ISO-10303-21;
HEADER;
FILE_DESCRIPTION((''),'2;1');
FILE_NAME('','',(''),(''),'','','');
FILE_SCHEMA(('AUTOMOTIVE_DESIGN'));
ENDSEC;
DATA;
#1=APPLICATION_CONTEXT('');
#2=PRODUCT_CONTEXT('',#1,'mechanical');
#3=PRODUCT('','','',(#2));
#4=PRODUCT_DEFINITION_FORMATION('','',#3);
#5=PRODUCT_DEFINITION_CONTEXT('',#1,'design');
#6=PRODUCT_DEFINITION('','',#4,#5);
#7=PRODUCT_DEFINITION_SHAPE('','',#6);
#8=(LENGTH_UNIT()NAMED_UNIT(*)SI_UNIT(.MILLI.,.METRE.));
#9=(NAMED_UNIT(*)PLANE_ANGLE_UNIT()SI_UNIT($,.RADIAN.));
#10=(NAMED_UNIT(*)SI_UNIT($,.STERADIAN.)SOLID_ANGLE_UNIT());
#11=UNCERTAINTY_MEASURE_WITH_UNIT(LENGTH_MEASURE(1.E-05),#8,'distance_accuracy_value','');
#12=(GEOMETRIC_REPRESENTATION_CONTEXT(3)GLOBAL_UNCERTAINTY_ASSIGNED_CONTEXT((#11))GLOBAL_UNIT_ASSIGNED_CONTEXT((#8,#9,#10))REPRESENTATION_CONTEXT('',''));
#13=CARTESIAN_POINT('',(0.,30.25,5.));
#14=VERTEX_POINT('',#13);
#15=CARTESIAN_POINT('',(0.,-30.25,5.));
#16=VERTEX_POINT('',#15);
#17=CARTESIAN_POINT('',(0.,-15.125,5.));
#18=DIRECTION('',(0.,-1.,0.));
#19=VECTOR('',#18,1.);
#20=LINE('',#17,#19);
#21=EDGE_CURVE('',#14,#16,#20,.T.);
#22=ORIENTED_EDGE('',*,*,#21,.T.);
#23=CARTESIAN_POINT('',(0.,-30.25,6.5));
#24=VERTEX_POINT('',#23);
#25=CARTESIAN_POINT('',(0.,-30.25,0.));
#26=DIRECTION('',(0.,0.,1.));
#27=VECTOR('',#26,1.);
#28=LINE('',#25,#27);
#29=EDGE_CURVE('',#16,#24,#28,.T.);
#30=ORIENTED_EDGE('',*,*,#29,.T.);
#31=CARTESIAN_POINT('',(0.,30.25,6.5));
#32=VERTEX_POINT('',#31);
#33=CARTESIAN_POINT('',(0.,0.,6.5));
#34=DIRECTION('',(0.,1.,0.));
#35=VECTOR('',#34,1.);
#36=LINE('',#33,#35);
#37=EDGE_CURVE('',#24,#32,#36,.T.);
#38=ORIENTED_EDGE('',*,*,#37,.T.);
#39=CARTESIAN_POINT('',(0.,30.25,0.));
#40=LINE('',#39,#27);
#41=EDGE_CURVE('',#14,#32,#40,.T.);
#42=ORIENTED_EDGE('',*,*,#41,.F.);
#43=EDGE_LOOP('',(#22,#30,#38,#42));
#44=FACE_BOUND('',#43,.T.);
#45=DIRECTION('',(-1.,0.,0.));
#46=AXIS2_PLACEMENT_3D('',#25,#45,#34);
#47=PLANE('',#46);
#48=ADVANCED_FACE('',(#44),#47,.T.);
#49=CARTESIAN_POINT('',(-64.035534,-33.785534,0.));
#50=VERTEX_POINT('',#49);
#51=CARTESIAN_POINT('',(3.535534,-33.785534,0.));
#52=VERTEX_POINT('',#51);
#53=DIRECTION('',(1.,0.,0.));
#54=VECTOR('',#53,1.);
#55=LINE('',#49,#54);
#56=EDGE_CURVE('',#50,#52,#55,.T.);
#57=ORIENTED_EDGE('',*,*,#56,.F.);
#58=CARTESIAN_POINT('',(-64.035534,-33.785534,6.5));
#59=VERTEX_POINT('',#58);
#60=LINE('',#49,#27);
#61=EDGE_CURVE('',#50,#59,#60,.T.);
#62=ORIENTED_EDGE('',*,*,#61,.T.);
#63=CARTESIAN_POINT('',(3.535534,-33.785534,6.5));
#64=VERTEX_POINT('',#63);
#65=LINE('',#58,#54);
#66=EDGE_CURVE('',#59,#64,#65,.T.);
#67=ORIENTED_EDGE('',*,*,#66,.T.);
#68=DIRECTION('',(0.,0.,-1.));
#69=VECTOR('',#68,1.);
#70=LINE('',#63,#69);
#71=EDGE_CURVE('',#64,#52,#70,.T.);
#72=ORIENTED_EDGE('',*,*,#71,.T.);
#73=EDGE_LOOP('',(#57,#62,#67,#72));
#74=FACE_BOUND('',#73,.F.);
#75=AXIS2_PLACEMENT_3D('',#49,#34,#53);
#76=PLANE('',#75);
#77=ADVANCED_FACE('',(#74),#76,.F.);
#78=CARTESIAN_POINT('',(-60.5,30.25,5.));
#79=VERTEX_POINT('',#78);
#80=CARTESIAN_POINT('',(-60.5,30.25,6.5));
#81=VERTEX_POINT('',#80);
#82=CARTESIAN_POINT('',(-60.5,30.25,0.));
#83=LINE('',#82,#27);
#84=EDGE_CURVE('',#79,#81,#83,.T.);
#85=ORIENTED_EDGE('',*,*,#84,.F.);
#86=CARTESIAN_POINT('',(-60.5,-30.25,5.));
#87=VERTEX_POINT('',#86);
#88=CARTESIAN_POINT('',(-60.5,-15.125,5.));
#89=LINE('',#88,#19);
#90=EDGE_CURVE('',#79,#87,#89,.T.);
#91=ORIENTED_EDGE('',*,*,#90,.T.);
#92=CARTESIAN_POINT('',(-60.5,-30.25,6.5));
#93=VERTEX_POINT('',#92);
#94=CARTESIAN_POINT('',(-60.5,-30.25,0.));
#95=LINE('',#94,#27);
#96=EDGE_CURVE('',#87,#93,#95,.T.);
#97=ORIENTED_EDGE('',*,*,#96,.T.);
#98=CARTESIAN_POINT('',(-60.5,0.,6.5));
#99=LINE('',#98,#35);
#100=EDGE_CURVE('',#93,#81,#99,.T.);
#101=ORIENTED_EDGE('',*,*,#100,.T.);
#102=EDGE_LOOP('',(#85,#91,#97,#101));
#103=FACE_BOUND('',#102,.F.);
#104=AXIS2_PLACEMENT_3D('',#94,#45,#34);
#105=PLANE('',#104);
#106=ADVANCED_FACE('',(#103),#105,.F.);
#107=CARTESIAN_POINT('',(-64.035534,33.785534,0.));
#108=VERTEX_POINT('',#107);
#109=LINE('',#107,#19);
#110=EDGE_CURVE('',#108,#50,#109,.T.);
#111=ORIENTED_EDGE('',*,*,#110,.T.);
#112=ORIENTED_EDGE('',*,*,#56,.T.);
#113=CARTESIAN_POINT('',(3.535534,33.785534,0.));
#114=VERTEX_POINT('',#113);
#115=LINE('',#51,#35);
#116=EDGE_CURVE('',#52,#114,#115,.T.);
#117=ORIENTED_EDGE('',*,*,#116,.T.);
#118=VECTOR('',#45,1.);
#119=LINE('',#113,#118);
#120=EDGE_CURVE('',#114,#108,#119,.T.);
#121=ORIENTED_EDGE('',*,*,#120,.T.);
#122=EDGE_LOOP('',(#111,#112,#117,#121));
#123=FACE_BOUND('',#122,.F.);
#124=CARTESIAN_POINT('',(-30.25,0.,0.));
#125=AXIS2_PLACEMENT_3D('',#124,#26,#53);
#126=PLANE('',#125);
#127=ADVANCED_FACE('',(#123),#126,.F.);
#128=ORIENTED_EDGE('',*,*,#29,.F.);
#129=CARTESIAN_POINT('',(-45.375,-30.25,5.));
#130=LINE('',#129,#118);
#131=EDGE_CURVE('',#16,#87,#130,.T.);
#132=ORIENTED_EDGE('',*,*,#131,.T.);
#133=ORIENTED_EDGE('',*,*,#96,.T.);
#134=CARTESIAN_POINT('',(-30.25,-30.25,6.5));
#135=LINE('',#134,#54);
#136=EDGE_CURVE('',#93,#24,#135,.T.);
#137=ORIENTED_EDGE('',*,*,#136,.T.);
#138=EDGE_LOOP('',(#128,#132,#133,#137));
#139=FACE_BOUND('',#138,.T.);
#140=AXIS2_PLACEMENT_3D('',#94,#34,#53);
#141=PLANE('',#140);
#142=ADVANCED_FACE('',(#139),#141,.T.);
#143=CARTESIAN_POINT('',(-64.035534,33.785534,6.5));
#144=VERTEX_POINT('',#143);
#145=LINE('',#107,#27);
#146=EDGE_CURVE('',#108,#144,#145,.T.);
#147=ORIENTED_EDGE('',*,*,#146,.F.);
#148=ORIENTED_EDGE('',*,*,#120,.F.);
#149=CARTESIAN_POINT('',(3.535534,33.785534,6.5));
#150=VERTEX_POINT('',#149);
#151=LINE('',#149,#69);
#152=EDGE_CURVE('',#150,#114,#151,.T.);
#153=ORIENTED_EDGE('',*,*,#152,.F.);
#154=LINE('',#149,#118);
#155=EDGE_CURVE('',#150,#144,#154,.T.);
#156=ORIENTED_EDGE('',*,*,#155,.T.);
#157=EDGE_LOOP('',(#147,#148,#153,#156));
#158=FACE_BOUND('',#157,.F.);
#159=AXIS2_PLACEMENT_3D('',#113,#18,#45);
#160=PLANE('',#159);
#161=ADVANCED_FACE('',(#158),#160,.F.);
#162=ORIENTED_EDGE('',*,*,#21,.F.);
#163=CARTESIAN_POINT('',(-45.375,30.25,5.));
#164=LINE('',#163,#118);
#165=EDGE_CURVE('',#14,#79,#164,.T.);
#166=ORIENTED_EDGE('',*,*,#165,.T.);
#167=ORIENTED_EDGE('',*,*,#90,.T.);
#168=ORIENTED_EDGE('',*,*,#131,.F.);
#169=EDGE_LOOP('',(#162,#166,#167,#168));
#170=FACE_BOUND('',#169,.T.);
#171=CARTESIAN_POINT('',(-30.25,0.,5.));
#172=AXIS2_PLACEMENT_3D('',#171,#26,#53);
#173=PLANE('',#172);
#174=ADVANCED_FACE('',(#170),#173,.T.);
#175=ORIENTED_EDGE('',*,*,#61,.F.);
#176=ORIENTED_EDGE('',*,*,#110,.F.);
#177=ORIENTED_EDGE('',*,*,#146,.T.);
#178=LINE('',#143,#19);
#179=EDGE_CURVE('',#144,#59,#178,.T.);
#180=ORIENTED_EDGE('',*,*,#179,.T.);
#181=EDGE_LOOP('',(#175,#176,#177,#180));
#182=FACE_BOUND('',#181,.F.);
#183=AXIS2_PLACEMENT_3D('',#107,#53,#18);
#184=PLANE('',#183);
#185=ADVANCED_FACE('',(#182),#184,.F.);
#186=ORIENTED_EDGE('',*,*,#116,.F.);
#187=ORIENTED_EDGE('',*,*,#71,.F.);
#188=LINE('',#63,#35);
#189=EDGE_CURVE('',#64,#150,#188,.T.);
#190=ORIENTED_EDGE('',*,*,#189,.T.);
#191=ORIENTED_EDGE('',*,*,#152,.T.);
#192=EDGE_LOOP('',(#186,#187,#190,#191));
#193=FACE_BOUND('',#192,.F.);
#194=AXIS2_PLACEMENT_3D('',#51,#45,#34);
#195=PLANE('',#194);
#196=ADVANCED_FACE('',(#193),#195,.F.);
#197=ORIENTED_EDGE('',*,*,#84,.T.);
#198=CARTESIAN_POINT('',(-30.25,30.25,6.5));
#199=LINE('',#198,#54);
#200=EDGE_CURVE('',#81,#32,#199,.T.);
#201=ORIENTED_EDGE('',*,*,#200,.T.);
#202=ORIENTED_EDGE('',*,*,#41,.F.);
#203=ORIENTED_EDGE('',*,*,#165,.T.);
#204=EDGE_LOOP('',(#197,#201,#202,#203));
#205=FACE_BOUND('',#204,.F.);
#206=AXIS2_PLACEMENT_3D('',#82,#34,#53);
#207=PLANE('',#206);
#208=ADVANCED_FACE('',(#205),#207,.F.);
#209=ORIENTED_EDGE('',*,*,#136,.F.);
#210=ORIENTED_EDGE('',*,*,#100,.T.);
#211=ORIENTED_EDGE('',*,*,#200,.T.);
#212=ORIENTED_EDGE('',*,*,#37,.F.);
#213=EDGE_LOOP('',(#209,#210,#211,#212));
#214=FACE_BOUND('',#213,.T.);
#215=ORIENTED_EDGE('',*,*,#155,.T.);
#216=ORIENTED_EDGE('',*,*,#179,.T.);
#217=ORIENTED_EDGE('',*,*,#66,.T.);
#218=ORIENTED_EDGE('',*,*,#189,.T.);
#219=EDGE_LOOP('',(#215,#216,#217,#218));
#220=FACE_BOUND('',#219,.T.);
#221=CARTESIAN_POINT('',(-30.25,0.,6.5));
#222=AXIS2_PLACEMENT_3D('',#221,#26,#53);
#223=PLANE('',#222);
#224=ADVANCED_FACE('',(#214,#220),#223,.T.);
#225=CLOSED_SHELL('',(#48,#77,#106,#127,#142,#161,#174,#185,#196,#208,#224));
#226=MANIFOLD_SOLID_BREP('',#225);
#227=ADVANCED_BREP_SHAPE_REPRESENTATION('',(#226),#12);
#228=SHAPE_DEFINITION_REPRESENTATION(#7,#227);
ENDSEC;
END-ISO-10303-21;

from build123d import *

# Parameters (mm, degrees)
F0_W     = 60.5
F0_H     = 60.5
F1_DEPTH = 5
F2_DEPTH = 6.5


with BuildPart() as f1:
    # F0 (on Top) → F1 (new body)
    with BuildSketch(Plane.XY):
        Polygon((3.5355339059, -12.5), (3.5355339059, 12.5), (3.5355339059, 33.7855339059), (-64.0355339059, 33.7855339059), (-64.0355339059, -33.7855339059), (3.5355339059, -33.7855339059), align=None)
        with Locations((-30.25, 0)):
            Rectangle(F0_W, F0_H, mode=Mode.SUBTRACT)
        with Locations((-30.25, 0)):
            Rectangle(F0_W, F0_H)
    extrude(amount=F1_DEPTH)

    # F0 (on Top) → F2 (join)
    with BuildSketch(Plane.XY):
        Polygon((3.5355339059, -12.5), (3.5355339059, 12.5), (3.5355339059, 33.7855339059), (-64.0355339059, 33.7855339059), (-64.0355339059, -33.7855339059), (3.5355339059, -33.7855339059), align=None)
        with Locations((-30.25, 0)):
            Rectangle(F0_W, F0_H, mode=Mode.SUBTRACT)
    extrude(amount=F2_DEPTH)


solid = f1.part
